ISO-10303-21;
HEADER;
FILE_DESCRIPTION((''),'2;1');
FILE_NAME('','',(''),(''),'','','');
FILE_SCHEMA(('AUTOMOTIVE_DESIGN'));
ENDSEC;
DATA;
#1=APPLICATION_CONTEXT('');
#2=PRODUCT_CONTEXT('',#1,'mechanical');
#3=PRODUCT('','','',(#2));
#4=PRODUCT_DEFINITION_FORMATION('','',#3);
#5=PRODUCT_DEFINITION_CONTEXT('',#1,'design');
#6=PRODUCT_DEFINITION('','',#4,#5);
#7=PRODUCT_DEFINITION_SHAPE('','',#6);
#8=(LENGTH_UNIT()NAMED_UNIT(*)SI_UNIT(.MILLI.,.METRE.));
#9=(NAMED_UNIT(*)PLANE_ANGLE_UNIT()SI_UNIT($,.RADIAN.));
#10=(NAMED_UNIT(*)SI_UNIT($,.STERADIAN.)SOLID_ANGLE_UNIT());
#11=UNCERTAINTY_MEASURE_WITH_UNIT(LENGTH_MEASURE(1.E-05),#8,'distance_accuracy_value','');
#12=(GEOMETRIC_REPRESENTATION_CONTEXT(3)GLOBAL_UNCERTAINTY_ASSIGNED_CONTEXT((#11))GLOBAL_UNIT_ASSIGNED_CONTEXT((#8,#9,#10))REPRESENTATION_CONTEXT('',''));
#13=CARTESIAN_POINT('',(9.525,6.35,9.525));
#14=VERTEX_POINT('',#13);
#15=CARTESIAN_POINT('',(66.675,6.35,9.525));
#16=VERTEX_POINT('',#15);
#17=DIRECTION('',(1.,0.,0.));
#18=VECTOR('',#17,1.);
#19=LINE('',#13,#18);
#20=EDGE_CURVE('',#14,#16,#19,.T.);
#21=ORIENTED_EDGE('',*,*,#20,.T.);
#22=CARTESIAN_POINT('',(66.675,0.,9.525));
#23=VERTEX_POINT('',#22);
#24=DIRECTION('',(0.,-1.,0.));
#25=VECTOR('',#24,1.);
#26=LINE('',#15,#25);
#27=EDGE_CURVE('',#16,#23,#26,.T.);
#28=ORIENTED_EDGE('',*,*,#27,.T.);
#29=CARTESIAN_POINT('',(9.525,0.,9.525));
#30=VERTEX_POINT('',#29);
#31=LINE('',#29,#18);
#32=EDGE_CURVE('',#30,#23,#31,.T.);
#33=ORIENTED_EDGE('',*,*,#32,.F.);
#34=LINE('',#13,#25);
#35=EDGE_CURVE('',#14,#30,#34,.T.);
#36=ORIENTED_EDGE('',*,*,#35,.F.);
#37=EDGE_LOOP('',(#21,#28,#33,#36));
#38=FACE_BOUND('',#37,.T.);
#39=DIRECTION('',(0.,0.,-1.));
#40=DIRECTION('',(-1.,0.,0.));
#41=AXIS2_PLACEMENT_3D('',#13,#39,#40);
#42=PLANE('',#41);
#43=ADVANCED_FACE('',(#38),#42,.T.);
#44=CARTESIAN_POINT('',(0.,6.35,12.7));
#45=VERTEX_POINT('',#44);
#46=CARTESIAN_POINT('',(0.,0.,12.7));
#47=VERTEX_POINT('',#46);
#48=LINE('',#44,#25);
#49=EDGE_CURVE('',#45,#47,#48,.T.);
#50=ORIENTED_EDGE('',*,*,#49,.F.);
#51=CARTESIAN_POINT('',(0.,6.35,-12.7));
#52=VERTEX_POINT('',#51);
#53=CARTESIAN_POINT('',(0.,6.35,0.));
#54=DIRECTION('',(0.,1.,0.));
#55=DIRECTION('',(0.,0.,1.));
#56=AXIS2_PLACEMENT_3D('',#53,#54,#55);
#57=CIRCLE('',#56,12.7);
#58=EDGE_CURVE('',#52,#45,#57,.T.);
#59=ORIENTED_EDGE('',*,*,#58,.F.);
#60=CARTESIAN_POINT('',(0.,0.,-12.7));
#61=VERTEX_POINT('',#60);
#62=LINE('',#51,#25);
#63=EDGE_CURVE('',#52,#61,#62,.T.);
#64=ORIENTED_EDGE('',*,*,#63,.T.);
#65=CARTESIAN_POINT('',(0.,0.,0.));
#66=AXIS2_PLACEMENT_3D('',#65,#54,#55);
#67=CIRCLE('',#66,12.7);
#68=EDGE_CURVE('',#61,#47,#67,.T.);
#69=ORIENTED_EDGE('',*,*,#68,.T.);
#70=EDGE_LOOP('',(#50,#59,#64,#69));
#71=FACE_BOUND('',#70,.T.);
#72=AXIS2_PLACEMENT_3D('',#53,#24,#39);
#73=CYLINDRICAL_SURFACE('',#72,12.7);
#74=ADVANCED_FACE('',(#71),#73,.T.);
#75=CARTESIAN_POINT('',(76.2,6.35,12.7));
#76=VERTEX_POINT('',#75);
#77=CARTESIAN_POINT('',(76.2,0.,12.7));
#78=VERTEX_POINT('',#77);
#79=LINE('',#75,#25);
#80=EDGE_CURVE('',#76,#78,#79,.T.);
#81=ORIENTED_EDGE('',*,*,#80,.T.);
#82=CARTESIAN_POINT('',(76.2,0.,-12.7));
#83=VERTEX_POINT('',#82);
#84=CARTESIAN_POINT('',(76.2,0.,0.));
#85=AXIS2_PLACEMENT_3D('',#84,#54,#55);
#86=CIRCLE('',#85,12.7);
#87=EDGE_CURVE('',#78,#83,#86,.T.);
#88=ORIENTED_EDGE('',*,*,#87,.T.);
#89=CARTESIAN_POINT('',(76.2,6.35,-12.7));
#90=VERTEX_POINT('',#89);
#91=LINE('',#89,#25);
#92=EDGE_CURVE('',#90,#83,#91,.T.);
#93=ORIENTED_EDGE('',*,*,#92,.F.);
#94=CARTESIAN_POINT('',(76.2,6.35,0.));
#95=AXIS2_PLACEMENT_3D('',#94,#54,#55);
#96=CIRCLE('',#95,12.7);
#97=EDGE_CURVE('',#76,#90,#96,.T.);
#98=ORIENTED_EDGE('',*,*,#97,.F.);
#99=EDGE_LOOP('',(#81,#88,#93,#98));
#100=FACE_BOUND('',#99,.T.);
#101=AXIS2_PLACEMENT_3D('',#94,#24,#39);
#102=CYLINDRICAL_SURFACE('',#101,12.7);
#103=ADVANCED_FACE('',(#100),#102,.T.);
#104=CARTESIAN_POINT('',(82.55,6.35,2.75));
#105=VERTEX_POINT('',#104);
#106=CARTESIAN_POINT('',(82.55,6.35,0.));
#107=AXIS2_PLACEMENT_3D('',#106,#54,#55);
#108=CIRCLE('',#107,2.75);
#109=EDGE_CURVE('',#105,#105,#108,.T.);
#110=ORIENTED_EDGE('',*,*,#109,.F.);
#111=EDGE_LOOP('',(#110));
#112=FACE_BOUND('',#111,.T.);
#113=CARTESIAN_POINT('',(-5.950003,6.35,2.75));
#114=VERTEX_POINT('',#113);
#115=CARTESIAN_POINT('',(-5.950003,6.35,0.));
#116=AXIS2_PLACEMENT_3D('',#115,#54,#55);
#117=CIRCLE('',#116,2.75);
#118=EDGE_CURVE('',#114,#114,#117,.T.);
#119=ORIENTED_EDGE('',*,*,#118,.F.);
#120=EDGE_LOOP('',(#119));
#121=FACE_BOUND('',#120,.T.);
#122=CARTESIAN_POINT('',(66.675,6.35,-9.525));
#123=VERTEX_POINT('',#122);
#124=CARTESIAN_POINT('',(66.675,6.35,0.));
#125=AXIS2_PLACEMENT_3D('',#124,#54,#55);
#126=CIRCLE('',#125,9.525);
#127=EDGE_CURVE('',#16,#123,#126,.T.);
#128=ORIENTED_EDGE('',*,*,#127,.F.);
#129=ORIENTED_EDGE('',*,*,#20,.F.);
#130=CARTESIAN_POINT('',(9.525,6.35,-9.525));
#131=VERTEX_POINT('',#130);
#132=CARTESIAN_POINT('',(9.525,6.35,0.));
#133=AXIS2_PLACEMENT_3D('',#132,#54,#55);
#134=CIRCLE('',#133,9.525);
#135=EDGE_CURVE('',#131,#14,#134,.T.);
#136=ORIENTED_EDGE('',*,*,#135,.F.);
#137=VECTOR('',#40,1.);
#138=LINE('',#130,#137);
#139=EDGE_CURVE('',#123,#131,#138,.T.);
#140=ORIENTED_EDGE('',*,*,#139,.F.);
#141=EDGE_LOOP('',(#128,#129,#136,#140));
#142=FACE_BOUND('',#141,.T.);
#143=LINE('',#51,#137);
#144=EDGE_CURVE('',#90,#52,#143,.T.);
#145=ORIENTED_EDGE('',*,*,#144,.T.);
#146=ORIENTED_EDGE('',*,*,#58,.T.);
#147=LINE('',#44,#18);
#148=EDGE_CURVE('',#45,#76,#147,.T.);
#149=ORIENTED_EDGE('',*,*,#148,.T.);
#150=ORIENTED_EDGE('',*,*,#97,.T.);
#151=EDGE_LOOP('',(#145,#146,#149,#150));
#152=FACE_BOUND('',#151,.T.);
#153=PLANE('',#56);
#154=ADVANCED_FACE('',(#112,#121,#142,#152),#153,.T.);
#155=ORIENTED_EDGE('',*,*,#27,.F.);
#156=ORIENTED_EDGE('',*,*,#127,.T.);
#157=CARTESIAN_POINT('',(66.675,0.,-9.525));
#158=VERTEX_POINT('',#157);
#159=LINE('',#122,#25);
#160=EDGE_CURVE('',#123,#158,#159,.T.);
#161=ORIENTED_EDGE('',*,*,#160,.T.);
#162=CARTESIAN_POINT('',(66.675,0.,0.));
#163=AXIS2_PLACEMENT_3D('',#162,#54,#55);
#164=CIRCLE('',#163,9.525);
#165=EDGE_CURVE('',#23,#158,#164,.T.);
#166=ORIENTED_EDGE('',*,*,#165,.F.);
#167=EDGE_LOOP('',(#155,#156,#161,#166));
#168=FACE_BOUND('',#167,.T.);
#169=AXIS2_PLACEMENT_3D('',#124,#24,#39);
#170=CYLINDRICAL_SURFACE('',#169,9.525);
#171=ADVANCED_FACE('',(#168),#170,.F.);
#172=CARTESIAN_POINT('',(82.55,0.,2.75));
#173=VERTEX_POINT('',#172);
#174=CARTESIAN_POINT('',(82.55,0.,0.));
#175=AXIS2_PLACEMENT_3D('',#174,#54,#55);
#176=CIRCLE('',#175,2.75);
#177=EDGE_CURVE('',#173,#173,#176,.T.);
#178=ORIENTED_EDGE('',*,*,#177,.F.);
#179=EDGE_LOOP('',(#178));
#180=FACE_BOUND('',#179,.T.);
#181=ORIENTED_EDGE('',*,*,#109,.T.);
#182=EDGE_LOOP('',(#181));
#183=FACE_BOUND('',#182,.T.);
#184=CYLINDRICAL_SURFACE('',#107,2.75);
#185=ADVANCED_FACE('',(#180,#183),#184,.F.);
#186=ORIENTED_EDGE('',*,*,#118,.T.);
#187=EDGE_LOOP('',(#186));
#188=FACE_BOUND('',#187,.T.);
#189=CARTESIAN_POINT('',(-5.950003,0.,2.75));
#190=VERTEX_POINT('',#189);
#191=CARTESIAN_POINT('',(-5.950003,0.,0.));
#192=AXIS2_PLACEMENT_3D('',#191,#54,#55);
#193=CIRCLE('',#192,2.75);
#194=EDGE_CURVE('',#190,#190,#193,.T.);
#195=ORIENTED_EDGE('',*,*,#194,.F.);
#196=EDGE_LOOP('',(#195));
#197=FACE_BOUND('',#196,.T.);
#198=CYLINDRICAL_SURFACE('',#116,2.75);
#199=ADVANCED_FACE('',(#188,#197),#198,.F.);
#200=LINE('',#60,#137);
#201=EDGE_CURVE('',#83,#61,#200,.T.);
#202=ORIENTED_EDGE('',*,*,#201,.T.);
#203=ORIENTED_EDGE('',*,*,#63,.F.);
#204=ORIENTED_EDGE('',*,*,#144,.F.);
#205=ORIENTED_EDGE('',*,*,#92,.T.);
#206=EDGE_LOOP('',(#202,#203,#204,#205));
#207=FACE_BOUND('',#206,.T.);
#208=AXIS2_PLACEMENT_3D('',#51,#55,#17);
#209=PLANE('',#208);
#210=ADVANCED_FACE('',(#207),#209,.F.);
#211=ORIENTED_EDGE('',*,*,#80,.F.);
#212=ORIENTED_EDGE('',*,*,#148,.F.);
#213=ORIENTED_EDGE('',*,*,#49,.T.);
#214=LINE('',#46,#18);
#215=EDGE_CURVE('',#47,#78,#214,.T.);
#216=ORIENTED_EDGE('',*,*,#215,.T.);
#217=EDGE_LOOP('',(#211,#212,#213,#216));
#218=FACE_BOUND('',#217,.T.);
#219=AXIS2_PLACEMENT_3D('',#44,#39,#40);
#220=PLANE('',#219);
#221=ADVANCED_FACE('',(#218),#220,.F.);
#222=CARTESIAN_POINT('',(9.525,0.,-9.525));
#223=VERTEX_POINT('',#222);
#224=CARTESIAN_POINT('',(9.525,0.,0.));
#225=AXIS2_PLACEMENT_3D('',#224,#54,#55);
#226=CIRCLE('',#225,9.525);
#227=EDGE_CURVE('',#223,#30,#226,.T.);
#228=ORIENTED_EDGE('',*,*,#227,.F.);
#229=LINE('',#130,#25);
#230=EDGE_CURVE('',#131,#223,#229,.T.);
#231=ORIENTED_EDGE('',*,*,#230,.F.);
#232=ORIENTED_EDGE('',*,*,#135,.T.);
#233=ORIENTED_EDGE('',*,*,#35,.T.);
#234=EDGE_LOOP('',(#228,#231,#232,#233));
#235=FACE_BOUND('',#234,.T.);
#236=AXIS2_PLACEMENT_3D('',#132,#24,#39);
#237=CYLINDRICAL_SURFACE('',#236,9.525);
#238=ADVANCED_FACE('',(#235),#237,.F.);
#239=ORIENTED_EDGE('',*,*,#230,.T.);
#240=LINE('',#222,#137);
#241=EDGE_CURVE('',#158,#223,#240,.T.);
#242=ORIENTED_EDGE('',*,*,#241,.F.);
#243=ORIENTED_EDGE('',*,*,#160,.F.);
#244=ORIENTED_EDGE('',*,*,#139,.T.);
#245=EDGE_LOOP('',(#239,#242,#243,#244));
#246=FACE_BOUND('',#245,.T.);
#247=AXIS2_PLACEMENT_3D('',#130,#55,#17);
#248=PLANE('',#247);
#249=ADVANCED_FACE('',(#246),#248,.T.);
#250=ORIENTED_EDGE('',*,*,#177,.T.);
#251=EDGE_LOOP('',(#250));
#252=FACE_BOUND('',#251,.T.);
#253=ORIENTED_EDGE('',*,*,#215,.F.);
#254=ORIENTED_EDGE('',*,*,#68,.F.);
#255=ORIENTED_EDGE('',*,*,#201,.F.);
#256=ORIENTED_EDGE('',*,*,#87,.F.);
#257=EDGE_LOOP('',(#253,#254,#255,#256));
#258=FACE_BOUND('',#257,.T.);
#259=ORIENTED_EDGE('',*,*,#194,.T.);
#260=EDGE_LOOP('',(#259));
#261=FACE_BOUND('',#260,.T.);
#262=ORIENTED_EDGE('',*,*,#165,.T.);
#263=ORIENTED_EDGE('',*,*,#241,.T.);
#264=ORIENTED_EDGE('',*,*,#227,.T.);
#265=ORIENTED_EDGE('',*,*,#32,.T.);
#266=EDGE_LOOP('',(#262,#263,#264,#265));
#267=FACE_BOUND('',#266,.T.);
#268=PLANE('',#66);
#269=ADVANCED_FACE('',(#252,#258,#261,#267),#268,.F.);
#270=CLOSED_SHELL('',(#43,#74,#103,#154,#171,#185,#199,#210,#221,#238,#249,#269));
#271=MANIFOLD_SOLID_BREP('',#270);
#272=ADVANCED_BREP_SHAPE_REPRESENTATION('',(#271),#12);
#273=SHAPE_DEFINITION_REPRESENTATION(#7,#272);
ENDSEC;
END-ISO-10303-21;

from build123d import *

# Parameters (mm, degrees)
BOSS_EXTRUDE1_DEPTH  = 6.35
M5_CLEARANCE_HOLE1_D = 5.5


with BuildPart() as part:
    # Sketch2 → Boss-Extrude1 (new body)
    with BuildSketch(Plane(origin=(0, 0, 0), x_dir=(1, 0, 0), z_dir=(0, 1, 0))):
        with BuildLine():
            Line((0, 12.7), (76.2, 12.7))
            ThreePointArc((76.2, 12.7), (88.9, 0), (76.2, -12.7))
            Line((76.2, -12.7), (0, -12.7))
            ThreePointArc((0, -12.7), (-12.7, 0), (0, 12.7))
        make_face()
        with BuildLine():
            Line((9.525, 9.525), (66.675, 9.525))
            ThreePointArc((66.675, 9.525), (76.2, 0), (66.675, -9.525))
            Line((66.675, -9.525), (9.525, -9.525))
            ThreePointArc((9.525, -9.525), (0, 0), (9.525, 9.525))
        make_face(mode=Mode.SUBTRACT)
    extrude(amount=BOSS_EXTRUDE1_DEPTH)

    # M5 Clearance Hole1 (through all)
    with Locations(Plane(origin=(0, 6.35, 0), x_dir=(1, 0, 0), z_dir=(0, 1, 0))):
        with Locations((-5.950002807, 0), (82.55, 0)):
            Hole(M5_CLEARANCE_HOLE1_D / 2)


solid = part.part
